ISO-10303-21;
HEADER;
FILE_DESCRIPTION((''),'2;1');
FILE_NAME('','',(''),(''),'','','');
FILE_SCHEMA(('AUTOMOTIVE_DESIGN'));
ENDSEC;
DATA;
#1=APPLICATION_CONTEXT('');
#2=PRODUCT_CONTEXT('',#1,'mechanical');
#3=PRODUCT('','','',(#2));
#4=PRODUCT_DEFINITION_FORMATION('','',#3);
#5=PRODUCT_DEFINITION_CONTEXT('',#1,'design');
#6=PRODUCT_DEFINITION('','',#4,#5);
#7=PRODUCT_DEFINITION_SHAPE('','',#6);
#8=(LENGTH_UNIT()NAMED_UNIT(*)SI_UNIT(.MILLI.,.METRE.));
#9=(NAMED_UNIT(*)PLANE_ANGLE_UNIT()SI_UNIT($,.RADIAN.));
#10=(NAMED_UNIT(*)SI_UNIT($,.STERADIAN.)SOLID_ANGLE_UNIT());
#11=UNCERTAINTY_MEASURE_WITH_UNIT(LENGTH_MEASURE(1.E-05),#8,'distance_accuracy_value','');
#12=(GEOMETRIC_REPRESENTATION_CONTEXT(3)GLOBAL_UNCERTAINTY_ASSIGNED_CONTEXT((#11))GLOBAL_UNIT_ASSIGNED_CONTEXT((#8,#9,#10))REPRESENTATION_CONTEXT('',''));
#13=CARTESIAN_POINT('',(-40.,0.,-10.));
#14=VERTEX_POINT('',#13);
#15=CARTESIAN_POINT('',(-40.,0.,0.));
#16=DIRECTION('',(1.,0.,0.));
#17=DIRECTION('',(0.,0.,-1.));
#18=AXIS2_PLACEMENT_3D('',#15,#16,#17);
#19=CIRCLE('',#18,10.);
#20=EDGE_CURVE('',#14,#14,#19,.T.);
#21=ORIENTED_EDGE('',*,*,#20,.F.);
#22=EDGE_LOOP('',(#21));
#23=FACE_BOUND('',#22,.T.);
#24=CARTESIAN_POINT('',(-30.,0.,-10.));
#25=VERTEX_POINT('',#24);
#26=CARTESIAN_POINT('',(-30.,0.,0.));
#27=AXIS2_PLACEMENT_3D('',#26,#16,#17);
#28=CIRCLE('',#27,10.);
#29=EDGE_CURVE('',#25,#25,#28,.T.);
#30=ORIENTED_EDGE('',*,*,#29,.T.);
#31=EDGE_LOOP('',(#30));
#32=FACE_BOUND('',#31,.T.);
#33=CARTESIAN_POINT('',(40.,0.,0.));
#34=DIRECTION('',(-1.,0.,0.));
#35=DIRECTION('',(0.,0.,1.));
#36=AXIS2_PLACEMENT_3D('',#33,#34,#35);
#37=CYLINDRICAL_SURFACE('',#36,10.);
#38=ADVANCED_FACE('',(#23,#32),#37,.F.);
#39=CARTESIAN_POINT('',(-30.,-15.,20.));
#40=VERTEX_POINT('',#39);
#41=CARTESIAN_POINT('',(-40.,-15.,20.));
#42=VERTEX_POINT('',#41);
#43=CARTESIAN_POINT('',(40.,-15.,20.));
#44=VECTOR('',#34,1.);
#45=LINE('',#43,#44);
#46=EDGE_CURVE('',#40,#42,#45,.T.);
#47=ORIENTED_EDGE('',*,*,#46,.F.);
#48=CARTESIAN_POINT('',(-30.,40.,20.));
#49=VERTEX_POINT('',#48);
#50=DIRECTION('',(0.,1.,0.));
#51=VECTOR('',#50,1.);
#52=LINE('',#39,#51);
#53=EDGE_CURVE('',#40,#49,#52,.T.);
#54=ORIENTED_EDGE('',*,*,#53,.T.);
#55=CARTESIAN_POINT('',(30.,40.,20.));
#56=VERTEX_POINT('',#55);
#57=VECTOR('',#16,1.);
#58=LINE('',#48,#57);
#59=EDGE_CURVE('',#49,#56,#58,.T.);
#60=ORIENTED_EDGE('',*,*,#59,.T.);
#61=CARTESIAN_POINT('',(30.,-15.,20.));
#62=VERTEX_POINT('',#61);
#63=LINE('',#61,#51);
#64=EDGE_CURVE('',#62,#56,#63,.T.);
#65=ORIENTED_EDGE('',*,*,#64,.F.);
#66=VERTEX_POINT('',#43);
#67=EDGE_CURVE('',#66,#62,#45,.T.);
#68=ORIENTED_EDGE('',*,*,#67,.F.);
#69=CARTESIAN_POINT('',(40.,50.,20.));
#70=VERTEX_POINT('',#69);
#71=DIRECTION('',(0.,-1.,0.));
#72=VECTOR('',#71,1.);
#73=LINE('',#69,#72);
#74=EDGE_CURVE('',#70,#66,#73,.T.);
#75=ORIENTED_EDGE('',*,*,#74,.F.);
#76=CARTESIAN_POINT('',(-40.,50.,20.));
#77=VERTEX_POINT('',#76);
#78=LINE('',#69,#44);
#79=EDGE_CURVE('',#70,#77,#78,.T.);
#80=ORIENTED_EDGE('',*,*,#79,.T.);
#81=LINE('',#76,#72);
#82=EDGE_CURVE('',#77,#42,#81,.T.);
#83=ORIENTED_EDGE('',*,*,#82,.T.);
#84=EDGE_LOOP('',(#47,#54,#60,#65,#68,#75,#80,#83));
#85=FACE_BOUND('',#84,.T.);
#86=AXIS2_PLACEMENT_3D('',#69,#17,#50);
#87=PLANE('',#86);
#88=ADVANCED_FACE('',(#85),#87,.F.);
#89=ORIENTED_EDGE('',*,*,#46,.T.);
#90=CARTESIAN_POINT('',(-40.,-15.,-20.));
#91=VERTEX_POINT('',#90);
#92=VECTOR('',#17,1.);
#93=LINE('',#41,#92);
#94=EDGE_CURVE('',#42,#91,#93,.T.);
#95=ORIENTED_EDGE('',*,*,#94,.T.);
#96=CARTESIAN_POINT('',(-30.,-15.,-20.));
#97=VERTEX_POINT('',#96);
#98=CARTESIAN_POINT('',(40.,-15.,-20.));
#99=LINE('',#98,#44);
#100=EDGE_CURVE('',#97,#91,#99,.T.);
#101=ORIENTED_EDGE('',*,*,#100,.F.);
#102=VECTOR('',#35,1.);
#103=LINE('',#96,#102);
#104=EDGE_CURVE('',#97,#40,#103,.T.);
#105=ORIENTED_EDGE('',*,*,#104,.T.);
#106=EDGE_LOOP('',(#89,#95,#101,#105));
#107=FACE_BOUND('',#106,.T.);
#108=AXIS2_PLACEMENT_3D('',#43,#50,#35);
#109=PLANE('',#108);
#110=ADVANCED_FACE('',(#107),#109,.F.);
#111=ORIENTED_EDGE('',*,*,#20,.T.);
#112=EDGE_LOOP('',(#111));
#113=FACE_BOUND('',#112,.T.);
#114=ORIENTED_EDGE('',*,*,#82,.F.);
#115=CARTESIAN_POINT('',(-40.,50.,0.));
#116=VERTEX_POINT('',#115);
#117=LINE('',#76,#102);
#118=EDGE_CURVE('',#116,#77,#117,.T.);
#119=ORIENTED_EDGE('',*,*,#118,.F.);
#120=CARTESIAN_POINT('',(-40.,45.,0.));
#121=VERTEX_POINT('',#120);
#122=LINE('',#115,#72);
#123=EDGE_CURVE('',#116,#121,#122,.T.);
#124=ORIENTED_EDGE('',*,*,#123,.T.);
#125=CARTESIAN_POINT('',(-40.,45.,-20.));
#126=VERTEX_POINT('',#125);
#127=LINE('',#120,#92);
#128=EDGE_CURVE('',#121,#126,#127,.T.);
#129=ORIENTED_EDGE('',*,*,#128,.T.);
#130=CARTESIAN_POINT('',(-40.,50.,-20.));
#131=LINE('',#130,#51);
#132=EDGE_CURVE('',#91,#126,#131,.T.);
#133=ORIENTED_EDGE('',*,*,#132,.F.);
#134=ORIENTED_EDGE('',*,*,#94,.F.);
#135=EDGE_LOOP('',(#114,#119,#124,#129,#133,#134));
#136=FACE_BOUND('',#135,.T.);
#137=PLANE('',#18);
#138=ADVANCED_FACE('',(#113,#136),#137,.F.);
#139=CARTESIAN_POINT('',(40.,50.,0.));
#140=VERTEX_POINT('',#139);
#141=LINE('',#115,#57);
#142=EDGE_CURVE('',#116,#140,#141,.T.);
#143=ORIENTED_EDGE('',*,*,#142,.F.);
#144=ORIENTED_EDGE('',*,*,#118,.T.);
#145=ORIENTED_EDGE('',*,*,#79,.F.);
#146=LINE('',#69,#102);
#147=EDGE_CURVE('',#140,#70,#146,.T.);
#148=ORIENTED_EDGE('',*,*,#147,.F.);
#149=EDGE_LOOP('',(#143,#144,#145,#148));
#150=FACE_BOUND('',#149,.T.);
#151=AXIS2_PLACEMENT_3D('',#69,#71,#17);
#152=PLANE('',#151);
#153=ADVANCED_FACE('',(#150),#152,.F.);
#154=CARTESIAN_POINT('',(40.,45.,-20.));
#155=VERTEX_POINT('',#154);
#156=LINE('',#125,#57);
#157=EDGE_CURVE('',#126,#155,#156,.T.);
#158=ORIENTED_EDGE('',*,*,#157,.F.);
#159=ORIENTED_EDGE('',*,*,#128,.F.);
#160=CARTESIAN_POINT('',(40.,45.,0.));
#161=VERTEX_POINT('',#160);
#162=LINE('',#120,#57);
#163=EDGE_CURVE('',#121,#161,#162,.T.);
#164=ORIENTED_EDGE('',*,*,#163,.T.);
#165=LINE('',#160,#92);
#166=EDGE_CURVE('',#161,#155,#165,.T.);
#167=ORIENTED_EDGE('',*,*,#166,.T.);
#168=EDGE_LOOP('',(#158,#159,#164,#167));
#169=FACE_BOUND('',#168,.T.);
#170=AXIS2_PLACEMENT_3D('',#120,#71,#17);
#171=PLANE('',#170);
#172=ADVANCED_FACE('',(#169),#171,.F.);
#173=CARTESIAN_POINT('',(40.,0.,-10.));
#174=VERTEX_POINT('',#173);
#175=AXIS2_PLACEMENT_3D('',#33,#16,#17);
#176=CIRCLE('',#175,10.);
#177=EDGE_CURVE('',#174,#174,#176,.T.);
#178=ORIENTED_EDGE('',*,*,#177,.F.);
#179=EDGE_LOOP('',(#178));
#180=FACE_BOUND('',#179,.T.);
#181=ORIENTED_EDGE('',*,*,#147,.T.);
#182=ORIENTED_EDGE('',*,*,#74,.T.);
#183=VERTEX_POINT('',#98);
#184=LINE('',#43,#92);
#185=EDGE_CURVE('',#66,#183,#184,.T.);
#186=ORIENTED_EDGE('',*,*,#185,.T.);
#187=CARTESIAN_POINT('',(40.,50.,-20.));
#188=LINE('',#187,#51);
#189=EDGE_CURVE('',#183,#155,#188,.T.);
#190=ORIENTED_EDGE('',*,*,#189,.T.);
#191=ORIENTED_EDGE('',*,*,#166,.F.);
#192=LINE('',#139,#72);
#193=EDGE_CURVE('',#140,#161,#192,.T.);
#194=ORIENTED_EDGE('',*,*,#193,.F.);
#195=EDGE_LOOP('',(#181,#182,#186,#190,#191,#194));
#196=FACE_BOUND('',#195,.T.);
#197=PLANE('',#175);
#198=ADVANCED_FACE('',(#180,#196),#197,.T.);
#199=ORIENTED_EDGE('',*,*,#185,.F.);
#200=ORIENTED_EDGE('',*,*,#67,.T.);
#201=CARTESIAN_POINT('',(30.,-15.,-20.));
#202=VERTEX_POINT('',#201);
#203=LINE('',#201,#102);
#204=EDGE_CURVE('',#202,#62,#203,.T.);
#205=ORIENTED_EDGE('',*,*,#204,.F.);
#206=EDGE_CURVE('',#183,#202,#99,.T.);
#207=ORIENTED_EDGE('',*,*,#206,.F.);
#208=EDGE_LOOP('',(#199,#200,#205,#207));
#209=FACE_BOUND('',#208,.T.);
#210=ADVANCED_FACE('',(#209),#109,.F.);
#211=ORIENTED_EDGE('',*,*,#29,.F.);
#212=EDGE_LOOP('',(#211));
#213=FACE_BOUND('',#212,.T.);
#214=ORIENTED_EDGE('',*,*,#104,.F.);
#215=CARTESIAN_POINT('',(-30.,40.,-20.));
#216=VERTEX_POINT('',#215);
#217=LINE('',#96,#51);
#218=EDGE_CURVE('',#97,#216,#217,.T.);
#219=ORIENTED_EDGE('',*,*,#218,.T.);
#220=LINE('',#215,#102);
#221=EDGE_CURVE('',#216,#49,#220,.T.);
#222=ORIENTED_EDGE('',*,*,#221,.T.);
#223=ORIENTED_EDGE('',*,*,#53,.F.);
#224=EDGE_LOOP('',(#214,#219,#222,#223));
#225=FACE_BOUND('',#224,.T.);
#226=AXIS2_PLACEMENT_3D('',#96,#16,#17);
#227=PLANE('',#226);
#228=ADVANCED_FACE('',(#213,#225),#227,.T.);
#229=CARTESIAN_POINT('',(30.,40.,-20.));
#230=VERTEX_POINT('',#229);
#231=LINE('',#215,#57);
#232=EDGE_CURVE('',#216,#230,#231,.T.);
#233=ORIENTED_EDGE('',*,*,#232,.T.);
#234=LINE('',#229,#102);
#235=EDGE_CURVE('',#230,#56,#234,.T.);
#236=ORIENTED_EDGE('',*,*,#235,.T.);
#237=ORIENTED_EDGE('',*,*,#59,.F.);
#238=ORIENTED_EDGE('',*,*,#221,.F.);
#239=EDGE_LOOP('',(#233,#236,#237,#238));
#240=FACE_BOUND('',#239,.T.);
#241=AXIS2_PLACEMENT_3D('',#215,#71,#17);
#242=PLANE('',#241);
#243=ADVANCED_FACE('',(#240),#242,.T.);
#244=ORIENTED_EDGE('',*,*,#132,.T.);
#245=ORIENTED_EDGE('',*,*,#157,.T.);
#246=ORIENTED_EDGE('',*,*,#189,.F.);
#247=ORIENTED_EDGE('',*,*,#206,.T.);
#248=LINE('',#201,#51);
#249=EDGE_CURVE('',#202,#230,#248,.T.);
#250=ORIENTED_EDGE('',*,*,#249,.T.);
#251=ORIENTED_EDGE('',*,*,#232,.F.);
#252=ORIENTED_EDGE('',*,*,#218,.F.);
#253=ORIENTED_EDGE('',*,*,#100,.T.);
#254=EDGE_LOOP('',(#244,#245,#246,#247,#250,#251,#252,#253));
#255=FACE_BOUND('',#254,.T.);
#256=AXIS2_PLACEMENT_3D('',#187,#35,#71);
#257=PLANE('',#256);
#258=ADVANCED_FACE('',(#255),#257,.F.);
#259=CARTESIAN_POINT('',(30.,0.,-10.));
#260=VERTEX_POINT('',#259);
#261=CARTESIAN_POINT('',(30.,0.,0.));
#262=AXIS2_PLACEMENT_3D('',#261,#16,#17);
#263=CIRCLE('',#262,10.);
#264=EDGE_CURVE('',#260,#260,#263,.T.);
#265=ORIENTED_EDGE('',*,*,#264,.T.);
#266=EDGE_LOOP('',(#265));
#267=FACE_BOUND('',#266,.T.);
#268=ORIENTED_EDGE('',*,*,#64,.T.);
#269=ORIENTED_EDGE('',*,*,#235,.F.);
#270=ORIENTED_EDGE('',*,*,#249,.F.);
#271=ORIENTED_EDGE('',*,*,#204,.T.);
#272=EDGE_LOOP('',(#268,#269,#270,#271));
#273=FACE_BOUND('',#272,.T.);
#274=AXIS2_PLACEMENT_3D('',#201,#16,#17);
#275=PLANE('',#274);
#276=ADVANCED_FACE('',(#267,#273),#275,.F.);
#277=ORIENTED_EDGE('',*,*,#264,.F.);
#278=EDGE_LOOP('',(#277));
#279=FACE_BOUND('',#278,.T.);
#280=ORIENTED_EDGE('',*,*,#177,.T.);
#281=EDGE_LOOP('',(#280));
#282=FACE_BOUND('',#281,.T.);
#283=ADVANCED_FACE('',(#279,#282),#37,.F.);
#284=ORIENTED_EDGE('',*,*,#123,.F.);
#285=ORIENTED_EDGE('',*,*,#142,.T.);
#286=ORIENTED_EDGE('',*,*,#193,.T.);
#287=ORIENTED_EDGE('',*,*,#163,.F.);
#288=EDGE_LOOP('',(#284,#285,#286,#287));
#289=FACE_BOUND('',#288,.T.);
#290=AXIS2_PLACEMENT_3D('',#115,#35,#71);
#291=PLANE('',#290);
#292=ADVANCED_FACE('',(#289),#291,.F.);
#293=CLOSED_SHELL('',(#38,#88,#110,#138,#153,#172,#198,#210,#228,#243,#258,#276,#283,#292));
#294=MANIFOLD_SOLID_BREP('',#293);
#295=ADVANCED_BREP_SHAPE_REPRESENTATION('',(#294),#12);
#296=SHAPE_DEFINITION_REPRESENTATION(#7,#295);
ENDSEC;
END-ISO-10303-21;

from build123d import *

# Parameters (mm, degrees)
CROQUIS1_W                 = 40
CROQUIS1_H                 = 65
CROQUIS1_R                 = 10
SALIENTE_EXTRUIR1_DEPTH    = 40
CROQUIS2_W                 = 60
CROQUIS2_H                 = 55
CORTAR_EXTRUIR1_DEPTH      = 21
CORTAR_EXTRUIR1_DEPTH_BACK = 21
CROQUIS3_W                 = 20
CROQUIS3_H                 = 5
CORTAR_EXTRUIR2_DEPTH      = 41
CORTAR_EXTRUIR2_DEPTH_BACK = 41


with BuildPart() as part:
    # Croquis1 → Saliente-Extruir1 (new body, symmetric)
    with BuildSketch(Plane(origin=(0, 0, 0), x_dir=(0, 0, -1), z_dir=(1, 0, 0))):
        with Locations((0, 17.5)):
            Rectangle(CROQUIS1_W, CROQUIS1_H)
        Circle(CROQUIS1_R, mode=Mode.SUBTRACT)
    extrude(amount=SALIENTE_EXTRUIR1_DEPTH, both=True)

    # Croquis2 → Cortar-Extruir1 (cut, two sides)
    with BuildSketch(Plane.XY) as cortar_extruir1_sk:
        with Locations((0, 12.5)):
            Rectangle(CROQUIS2_W, CROQUIS2_H)
    extrude(amount=CORTAR_EXTRUIR1_DEPTH, mode=Mode.SUBTRACT)
    extrude(cortar_extruir1_sk.sketch, amount=-CORTAR_EXTRUIR1_DEPTH_BACK, mode=Mode.SUBTRACT)

    # Croquis3 → Cortar-Extruir2 (cut, two sides)
    with BuildSketch(Plane(origin=(0, 0, 0), x_dir=(0, 0, -1), z_dir=(1, 0, 0))) as cortar_extruir2_sk:
        with Locations((10, 47.5)):
            Rectangle(CROQUIS3_W, CROQUIS3_H)
    extrude(amount=CORTAR_EXTRUIR2_DEPTH, mode=Mode.SUBTRACT)
    extrude(cortar_extruir2_sk.sketch, amount=-CORTAR_EXTRUIR2_DEPTH_BACK, mode=Mode.SUBTRACT)


solid = part.part
